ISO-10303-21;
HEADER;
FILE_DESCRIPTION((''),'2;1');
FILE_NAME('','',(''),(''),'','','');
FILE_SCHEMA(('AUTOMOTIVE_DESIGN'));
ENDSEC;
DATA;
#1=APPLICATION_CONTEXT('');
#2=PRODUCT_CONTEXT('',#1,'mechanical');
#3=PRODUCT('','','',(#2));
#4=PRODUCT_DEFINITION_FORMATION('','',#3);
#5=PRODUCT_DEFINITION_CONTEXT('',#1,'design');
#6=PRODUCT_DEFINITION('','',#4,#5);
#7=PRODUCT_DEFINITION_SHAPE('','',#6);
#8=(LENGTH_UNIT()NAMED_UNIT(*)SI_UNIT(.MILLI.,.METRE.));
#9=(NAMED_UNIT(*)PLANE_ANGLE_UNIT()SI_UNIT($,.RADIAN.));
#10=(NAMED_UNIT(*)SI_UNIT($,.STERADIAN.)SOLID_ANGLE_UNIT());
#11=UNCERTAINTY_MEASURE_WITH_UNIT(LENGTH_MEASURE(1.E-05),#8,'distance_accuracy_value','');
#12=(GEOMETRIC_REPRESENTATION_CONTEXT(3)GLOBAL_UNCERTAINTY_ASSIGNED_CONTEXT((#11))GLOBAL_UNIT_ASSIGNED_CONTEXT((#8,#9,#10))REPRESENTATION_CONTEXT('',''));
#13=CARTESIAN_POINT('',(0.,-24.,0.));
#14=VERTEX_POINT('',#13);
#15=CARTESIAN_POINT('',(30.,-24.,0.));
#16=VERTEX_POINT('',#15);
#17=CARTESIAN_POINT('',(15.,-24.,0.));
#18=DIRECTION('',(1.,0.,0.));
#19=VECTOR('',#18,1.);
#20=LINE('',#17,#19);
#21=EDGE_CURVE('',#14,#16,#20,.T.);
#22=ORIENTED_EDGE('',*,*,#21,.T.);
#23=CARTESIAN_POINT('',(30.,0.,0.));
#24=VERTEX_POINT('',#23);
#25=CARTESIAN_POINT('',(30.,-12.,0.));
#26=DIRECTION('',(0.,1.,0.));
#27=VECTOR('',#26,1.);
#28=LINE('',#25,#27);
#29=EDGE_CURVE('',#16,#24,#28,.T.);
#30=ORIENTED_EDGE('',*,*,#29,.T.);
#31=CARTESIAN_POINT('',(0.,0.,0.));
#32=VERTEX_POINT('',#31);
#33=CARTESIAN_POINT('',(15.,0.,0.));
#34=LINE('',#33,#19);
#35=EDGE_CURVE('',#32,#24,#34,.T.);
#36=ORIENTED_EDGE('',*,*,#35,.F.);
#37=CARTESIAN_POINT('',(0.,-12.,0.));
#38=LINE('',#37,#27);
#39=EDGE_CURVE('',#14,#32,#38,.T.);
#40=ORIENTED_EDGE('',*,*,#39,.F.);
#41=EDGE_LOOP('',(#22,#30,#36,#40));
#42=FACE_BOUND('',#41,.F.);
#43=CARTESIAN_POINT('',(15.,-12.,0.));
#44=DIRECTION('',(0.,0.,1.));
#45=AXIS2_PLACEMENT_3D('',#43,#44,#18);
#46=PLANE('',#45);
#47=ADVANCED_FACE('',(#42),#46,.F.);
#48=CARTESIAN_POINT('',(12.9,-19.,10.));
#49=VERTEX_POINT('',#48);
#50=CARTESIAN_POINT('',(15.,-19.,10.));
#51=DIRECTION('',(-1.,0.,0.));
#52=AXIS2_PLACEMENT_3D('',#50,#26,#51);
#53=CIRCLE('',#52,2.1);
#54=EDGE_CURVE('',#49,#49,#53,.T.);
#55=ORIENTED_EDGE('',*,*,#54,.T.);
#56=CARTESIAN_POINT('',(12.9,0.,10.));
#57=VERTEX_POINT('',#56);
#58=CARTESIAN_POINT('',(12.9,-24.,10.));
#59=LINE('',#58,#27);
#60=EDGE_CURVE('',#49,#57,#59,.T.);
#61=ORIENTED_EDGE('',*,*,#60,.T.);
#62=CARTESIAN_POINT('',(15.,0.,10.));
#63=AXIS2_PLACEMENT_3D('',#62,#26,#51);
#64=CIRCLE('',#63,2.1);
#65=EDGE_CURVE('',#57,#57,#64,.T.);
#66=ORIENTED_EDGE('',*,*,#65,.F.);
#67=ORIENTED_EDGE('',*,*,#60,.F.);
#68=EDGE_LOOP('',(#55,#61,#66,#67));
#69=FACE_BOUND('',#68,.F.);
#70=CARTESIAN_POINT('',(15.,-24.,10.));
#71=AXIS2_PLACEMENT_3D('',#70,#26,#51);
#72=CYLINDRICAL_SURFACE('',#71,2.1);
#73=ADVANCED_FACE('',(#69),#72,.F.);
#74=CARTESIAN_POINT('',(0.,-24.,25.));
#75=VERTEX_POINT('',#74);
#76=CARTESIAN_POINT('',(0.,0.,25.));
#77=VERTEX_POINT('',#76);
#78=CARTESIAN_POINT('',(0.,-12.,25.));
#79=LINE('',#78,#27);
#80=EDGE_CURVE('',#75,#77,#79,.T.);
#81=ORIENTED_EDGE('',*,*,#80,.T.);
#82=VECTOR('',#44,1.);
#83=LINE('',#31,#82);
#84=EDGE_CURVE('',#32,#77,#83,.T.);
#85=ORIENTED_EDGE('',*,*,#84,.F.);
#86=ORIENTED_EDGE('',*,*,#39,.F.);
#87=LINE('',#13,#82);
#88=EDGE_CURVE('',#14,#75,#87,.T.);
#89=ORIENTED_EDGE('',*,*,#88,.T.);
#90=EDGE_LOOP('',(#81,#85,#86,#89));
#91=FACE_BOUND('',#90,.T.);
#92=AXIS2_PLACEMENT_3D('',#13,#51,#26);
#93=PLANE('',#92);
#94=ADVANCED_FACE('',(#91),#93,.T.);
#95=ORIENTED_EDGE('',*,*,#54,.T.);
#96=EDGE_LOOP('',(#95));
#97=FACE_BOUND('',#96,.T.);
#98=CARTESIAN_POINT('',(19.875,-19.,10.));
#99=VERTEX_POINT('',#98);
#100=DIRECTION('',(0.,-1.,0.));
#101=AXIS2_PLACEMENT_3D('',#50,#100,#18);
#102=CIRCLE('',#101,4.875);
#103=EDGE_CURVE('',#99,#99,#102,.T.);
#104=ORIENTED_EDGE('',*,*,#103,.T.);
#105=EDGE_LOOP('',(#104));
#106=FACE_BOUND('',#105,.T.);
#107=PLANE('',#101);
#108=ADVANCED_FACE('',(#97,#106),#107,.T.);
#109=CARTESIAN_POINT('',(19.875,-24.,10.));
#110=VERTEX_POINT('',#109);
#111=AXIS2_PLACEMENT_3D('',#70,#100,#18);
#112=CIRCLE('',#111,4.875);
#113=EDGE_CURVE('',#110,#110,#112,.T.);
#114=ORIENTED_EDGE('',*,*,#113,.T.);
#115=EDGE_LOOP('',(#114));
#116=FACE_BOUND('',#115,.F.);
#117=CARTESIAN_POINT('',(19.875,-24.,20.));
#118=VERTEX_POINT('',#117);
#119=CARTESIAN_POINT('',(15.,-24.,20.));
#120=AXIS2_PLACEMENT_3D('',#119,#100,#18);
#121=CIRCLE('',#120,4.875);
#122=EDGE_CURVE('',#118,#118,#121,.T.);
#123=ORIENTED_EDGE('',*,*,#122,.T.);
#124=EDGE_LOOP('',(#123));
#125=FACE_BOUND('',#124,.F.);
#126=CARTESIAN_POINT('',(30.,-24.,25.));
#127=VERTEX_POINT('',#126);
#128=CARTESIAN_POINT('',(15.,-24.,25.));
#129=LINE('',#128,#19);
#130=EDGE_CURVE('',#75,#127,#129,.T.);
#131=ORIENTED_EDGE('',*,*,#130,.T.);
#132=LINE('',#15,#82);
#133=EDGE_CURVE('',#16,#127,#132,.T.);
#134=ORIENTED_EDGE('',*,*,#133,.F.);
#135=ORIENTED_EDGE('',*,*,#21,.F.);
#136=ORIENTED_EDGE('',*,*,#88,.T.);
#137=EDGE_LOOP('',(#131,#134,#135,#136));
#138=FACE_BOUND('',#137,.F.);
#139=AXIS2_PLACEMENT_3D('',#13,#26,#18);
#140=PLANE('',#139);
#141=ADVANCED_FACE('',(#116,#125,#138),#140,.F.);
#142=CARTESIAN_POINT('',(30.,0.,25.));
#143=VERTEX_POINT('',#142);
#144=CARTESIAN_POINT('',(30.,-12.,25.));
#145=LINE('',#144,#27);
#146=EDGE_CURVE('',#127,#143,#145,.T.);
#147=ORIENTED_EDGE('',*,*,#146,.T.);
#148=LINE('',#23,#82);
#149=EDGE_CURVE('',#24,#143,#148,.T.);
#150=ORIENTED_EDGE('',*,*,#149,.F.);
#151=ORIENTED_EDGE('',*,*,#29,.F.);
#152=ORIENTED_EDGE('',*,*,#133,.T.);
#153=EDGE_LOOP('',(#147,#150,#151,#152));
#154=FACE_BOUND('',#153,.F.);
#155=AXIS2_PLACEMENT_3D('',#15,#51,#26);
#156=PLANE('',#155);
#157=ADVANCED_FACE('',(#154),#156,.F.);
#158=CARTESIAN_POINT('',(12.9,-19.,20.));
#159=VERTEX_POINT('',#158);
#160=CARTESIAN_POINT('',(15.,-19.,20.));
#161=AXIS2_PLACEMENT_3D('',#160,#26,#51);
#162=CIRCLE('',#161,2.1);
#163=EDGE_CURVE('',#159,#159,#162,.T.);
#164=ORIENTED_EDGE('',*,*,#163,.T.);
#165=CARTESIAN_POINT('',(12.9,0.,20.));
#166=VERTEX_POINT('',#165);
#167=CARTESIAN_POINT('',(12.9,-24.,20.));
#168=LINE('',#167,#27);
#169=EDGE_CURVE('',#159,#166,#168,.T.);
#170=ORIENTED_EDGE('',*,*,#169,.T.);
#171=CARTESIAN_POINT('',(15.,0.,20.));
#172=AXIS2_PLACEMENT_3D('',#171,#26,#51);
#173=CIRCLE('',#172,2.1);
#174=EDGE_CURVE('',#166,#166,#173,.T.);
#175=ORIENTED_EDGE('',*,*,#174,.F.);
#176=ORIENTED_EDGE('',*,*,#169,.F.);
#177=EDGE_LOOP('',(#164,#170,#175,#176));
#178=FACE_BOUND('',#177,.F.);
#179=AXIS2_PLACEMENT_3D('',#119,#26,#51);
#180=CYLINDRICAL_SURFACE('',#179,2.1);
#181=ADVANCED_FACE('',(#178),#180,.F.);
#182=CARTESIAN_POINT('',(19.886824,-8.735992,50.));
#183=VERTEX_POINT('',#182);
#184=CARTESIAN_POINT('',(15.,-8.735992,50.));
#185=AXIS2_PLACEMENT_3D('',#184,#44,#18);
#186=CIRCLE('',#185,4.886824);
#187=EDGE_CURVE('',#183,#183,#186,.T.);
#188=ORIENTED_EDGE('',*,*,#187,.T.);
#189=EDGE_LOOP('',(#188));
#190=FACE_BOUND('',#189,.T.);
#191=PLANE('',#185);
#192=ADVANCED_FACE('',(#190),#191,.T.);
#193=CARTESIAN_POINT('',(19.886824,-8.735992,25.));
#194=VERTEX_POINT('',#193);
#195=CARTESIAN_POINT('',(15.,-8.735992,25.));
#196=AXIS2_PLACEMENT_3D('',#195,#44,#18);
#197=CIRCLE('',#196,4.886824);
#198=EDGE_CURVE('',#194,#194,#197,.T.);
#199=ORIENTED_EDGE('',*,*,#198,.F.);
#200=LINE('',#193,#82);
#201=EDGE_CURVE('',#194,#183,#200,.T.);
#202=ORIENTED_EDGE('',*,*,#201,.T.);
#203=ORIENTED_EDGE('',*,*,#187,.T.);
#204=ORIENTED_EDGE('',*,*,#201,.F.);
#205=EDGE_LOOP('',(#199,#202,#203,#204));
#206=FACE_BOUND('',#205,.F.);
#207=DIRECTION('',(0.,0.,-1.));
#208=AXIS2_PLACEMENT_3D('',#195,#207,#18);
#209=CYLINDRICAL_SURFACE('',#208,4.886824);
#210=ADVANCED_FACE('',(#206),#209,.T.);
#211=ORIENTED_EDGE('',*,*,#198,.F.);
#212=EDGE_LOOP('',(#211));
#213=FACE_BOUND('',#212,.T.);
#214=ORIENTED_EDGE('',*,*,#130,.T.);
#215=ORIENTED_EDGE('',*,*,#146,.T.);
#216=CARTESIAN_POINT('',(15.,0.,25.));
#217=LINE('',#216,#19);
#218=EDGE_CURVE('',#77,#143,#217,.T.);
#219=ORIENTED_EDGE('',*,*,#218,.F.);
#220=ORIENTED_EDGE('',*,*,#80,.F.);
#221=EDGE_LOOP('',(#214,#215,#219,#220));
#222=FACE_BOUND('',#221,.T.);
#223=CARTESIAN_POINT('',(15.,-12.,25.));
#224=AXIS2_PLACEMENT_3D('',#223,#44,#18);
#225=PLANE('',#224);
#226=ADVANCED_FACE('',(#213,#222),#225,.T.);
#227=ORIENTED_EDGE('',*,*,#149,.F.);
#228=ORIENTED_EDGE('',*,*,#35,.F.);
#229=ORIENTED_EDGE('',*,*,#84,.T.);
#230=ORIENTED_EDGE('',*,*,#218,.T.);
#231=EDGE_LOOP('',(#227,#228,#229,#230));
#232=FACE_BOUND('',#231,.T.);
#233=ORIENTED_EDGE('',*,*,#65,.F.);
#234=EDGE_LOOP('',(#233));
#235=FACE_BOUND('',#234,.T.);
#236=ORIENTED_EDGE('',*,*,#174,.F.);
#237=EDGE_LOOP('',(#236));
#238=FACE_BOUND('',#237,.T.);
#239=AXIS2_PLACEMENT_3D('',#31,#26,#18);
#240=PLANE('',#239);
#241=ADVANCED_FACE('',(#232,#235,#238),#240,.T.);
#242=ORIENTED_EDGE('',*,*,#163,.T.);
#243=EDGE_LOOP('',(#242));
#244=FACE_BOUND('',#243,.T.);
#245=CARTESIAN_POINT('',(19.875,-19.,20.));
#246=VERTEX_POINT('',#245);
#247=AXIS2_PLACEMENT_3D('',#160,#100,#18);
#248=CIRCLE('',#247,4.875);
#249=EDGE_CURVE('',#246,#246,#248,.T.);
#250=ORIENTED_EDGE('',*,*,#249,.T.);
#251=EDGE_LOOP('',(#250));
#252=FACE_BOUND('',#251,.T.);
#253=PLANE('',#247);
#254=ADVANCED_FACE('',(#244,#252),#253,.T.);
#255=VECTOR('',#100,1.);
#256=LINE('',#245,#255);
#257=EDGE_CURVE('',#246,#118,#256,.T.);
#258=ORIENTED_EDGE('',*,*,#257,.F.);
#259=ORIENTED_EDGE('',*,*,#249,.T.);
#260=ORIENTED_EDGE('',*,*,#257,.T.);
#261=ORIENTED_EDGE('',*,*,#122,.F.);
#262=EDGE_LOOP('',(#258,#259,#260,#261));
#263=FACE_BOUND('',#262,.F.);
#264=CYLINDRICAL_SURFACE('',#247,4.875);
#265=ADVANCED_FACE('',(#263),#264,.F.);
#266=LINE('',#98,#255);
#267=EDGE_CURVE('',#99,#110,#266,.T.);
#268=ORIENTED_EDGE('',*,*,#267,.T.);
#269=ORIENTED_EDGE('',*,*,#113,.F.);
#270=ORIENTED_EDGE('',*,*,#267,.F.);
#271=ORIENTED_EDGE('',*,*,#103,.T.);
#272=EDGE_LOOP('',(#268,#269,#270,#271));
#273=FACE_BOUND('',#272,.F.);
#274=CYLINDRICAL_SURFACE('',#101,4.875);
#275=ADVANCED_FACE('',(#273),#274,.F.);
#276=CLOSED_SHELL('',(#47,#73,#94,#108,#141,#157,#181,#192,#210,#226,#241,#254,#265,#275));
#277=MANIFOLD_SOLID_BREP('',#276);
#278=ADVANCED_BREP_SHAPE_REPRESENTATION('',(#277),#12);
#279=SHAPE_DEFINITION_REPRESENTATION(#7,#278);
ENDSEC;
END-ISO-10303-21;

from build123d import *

# Parameters (mm, degrees)
F0_W           = 30
F0_H           = 24
F1_DEPTH       = 25
F3_D           = 4.2
F3_CBORE_D     = 9.75
F3_CBORE_DEPTH = 5
F4_R           = 4.8868240238
F5_DEPTH       = 25


with BuildPart() as f1:
    # F0 (on Top) → F1 (new body)
    with BuildSketch(Plane.XY):
        with Locations((15, -12)):
            Rectangle(F0_W, F0_H)
    extrude(amount=F1_DEPTH)

    # F3 (through all)
    with Locations(Plane.XZ.offset(24)):
        with Locations((15, 20), (15, 10)):
            CounterBoreHole(F3_D / 2, F3_CBORE_D / 2, F3_CBORE_DEPTH)

    # F4 (on face) → F5 (join)
    with BuildSketch(Plane.XY.offset(25)):
        with Locations((15, -8.7359920144)):
            Circle(F4_R)
    extrude(amount=F5_DEPTH)


solid = f1.part
